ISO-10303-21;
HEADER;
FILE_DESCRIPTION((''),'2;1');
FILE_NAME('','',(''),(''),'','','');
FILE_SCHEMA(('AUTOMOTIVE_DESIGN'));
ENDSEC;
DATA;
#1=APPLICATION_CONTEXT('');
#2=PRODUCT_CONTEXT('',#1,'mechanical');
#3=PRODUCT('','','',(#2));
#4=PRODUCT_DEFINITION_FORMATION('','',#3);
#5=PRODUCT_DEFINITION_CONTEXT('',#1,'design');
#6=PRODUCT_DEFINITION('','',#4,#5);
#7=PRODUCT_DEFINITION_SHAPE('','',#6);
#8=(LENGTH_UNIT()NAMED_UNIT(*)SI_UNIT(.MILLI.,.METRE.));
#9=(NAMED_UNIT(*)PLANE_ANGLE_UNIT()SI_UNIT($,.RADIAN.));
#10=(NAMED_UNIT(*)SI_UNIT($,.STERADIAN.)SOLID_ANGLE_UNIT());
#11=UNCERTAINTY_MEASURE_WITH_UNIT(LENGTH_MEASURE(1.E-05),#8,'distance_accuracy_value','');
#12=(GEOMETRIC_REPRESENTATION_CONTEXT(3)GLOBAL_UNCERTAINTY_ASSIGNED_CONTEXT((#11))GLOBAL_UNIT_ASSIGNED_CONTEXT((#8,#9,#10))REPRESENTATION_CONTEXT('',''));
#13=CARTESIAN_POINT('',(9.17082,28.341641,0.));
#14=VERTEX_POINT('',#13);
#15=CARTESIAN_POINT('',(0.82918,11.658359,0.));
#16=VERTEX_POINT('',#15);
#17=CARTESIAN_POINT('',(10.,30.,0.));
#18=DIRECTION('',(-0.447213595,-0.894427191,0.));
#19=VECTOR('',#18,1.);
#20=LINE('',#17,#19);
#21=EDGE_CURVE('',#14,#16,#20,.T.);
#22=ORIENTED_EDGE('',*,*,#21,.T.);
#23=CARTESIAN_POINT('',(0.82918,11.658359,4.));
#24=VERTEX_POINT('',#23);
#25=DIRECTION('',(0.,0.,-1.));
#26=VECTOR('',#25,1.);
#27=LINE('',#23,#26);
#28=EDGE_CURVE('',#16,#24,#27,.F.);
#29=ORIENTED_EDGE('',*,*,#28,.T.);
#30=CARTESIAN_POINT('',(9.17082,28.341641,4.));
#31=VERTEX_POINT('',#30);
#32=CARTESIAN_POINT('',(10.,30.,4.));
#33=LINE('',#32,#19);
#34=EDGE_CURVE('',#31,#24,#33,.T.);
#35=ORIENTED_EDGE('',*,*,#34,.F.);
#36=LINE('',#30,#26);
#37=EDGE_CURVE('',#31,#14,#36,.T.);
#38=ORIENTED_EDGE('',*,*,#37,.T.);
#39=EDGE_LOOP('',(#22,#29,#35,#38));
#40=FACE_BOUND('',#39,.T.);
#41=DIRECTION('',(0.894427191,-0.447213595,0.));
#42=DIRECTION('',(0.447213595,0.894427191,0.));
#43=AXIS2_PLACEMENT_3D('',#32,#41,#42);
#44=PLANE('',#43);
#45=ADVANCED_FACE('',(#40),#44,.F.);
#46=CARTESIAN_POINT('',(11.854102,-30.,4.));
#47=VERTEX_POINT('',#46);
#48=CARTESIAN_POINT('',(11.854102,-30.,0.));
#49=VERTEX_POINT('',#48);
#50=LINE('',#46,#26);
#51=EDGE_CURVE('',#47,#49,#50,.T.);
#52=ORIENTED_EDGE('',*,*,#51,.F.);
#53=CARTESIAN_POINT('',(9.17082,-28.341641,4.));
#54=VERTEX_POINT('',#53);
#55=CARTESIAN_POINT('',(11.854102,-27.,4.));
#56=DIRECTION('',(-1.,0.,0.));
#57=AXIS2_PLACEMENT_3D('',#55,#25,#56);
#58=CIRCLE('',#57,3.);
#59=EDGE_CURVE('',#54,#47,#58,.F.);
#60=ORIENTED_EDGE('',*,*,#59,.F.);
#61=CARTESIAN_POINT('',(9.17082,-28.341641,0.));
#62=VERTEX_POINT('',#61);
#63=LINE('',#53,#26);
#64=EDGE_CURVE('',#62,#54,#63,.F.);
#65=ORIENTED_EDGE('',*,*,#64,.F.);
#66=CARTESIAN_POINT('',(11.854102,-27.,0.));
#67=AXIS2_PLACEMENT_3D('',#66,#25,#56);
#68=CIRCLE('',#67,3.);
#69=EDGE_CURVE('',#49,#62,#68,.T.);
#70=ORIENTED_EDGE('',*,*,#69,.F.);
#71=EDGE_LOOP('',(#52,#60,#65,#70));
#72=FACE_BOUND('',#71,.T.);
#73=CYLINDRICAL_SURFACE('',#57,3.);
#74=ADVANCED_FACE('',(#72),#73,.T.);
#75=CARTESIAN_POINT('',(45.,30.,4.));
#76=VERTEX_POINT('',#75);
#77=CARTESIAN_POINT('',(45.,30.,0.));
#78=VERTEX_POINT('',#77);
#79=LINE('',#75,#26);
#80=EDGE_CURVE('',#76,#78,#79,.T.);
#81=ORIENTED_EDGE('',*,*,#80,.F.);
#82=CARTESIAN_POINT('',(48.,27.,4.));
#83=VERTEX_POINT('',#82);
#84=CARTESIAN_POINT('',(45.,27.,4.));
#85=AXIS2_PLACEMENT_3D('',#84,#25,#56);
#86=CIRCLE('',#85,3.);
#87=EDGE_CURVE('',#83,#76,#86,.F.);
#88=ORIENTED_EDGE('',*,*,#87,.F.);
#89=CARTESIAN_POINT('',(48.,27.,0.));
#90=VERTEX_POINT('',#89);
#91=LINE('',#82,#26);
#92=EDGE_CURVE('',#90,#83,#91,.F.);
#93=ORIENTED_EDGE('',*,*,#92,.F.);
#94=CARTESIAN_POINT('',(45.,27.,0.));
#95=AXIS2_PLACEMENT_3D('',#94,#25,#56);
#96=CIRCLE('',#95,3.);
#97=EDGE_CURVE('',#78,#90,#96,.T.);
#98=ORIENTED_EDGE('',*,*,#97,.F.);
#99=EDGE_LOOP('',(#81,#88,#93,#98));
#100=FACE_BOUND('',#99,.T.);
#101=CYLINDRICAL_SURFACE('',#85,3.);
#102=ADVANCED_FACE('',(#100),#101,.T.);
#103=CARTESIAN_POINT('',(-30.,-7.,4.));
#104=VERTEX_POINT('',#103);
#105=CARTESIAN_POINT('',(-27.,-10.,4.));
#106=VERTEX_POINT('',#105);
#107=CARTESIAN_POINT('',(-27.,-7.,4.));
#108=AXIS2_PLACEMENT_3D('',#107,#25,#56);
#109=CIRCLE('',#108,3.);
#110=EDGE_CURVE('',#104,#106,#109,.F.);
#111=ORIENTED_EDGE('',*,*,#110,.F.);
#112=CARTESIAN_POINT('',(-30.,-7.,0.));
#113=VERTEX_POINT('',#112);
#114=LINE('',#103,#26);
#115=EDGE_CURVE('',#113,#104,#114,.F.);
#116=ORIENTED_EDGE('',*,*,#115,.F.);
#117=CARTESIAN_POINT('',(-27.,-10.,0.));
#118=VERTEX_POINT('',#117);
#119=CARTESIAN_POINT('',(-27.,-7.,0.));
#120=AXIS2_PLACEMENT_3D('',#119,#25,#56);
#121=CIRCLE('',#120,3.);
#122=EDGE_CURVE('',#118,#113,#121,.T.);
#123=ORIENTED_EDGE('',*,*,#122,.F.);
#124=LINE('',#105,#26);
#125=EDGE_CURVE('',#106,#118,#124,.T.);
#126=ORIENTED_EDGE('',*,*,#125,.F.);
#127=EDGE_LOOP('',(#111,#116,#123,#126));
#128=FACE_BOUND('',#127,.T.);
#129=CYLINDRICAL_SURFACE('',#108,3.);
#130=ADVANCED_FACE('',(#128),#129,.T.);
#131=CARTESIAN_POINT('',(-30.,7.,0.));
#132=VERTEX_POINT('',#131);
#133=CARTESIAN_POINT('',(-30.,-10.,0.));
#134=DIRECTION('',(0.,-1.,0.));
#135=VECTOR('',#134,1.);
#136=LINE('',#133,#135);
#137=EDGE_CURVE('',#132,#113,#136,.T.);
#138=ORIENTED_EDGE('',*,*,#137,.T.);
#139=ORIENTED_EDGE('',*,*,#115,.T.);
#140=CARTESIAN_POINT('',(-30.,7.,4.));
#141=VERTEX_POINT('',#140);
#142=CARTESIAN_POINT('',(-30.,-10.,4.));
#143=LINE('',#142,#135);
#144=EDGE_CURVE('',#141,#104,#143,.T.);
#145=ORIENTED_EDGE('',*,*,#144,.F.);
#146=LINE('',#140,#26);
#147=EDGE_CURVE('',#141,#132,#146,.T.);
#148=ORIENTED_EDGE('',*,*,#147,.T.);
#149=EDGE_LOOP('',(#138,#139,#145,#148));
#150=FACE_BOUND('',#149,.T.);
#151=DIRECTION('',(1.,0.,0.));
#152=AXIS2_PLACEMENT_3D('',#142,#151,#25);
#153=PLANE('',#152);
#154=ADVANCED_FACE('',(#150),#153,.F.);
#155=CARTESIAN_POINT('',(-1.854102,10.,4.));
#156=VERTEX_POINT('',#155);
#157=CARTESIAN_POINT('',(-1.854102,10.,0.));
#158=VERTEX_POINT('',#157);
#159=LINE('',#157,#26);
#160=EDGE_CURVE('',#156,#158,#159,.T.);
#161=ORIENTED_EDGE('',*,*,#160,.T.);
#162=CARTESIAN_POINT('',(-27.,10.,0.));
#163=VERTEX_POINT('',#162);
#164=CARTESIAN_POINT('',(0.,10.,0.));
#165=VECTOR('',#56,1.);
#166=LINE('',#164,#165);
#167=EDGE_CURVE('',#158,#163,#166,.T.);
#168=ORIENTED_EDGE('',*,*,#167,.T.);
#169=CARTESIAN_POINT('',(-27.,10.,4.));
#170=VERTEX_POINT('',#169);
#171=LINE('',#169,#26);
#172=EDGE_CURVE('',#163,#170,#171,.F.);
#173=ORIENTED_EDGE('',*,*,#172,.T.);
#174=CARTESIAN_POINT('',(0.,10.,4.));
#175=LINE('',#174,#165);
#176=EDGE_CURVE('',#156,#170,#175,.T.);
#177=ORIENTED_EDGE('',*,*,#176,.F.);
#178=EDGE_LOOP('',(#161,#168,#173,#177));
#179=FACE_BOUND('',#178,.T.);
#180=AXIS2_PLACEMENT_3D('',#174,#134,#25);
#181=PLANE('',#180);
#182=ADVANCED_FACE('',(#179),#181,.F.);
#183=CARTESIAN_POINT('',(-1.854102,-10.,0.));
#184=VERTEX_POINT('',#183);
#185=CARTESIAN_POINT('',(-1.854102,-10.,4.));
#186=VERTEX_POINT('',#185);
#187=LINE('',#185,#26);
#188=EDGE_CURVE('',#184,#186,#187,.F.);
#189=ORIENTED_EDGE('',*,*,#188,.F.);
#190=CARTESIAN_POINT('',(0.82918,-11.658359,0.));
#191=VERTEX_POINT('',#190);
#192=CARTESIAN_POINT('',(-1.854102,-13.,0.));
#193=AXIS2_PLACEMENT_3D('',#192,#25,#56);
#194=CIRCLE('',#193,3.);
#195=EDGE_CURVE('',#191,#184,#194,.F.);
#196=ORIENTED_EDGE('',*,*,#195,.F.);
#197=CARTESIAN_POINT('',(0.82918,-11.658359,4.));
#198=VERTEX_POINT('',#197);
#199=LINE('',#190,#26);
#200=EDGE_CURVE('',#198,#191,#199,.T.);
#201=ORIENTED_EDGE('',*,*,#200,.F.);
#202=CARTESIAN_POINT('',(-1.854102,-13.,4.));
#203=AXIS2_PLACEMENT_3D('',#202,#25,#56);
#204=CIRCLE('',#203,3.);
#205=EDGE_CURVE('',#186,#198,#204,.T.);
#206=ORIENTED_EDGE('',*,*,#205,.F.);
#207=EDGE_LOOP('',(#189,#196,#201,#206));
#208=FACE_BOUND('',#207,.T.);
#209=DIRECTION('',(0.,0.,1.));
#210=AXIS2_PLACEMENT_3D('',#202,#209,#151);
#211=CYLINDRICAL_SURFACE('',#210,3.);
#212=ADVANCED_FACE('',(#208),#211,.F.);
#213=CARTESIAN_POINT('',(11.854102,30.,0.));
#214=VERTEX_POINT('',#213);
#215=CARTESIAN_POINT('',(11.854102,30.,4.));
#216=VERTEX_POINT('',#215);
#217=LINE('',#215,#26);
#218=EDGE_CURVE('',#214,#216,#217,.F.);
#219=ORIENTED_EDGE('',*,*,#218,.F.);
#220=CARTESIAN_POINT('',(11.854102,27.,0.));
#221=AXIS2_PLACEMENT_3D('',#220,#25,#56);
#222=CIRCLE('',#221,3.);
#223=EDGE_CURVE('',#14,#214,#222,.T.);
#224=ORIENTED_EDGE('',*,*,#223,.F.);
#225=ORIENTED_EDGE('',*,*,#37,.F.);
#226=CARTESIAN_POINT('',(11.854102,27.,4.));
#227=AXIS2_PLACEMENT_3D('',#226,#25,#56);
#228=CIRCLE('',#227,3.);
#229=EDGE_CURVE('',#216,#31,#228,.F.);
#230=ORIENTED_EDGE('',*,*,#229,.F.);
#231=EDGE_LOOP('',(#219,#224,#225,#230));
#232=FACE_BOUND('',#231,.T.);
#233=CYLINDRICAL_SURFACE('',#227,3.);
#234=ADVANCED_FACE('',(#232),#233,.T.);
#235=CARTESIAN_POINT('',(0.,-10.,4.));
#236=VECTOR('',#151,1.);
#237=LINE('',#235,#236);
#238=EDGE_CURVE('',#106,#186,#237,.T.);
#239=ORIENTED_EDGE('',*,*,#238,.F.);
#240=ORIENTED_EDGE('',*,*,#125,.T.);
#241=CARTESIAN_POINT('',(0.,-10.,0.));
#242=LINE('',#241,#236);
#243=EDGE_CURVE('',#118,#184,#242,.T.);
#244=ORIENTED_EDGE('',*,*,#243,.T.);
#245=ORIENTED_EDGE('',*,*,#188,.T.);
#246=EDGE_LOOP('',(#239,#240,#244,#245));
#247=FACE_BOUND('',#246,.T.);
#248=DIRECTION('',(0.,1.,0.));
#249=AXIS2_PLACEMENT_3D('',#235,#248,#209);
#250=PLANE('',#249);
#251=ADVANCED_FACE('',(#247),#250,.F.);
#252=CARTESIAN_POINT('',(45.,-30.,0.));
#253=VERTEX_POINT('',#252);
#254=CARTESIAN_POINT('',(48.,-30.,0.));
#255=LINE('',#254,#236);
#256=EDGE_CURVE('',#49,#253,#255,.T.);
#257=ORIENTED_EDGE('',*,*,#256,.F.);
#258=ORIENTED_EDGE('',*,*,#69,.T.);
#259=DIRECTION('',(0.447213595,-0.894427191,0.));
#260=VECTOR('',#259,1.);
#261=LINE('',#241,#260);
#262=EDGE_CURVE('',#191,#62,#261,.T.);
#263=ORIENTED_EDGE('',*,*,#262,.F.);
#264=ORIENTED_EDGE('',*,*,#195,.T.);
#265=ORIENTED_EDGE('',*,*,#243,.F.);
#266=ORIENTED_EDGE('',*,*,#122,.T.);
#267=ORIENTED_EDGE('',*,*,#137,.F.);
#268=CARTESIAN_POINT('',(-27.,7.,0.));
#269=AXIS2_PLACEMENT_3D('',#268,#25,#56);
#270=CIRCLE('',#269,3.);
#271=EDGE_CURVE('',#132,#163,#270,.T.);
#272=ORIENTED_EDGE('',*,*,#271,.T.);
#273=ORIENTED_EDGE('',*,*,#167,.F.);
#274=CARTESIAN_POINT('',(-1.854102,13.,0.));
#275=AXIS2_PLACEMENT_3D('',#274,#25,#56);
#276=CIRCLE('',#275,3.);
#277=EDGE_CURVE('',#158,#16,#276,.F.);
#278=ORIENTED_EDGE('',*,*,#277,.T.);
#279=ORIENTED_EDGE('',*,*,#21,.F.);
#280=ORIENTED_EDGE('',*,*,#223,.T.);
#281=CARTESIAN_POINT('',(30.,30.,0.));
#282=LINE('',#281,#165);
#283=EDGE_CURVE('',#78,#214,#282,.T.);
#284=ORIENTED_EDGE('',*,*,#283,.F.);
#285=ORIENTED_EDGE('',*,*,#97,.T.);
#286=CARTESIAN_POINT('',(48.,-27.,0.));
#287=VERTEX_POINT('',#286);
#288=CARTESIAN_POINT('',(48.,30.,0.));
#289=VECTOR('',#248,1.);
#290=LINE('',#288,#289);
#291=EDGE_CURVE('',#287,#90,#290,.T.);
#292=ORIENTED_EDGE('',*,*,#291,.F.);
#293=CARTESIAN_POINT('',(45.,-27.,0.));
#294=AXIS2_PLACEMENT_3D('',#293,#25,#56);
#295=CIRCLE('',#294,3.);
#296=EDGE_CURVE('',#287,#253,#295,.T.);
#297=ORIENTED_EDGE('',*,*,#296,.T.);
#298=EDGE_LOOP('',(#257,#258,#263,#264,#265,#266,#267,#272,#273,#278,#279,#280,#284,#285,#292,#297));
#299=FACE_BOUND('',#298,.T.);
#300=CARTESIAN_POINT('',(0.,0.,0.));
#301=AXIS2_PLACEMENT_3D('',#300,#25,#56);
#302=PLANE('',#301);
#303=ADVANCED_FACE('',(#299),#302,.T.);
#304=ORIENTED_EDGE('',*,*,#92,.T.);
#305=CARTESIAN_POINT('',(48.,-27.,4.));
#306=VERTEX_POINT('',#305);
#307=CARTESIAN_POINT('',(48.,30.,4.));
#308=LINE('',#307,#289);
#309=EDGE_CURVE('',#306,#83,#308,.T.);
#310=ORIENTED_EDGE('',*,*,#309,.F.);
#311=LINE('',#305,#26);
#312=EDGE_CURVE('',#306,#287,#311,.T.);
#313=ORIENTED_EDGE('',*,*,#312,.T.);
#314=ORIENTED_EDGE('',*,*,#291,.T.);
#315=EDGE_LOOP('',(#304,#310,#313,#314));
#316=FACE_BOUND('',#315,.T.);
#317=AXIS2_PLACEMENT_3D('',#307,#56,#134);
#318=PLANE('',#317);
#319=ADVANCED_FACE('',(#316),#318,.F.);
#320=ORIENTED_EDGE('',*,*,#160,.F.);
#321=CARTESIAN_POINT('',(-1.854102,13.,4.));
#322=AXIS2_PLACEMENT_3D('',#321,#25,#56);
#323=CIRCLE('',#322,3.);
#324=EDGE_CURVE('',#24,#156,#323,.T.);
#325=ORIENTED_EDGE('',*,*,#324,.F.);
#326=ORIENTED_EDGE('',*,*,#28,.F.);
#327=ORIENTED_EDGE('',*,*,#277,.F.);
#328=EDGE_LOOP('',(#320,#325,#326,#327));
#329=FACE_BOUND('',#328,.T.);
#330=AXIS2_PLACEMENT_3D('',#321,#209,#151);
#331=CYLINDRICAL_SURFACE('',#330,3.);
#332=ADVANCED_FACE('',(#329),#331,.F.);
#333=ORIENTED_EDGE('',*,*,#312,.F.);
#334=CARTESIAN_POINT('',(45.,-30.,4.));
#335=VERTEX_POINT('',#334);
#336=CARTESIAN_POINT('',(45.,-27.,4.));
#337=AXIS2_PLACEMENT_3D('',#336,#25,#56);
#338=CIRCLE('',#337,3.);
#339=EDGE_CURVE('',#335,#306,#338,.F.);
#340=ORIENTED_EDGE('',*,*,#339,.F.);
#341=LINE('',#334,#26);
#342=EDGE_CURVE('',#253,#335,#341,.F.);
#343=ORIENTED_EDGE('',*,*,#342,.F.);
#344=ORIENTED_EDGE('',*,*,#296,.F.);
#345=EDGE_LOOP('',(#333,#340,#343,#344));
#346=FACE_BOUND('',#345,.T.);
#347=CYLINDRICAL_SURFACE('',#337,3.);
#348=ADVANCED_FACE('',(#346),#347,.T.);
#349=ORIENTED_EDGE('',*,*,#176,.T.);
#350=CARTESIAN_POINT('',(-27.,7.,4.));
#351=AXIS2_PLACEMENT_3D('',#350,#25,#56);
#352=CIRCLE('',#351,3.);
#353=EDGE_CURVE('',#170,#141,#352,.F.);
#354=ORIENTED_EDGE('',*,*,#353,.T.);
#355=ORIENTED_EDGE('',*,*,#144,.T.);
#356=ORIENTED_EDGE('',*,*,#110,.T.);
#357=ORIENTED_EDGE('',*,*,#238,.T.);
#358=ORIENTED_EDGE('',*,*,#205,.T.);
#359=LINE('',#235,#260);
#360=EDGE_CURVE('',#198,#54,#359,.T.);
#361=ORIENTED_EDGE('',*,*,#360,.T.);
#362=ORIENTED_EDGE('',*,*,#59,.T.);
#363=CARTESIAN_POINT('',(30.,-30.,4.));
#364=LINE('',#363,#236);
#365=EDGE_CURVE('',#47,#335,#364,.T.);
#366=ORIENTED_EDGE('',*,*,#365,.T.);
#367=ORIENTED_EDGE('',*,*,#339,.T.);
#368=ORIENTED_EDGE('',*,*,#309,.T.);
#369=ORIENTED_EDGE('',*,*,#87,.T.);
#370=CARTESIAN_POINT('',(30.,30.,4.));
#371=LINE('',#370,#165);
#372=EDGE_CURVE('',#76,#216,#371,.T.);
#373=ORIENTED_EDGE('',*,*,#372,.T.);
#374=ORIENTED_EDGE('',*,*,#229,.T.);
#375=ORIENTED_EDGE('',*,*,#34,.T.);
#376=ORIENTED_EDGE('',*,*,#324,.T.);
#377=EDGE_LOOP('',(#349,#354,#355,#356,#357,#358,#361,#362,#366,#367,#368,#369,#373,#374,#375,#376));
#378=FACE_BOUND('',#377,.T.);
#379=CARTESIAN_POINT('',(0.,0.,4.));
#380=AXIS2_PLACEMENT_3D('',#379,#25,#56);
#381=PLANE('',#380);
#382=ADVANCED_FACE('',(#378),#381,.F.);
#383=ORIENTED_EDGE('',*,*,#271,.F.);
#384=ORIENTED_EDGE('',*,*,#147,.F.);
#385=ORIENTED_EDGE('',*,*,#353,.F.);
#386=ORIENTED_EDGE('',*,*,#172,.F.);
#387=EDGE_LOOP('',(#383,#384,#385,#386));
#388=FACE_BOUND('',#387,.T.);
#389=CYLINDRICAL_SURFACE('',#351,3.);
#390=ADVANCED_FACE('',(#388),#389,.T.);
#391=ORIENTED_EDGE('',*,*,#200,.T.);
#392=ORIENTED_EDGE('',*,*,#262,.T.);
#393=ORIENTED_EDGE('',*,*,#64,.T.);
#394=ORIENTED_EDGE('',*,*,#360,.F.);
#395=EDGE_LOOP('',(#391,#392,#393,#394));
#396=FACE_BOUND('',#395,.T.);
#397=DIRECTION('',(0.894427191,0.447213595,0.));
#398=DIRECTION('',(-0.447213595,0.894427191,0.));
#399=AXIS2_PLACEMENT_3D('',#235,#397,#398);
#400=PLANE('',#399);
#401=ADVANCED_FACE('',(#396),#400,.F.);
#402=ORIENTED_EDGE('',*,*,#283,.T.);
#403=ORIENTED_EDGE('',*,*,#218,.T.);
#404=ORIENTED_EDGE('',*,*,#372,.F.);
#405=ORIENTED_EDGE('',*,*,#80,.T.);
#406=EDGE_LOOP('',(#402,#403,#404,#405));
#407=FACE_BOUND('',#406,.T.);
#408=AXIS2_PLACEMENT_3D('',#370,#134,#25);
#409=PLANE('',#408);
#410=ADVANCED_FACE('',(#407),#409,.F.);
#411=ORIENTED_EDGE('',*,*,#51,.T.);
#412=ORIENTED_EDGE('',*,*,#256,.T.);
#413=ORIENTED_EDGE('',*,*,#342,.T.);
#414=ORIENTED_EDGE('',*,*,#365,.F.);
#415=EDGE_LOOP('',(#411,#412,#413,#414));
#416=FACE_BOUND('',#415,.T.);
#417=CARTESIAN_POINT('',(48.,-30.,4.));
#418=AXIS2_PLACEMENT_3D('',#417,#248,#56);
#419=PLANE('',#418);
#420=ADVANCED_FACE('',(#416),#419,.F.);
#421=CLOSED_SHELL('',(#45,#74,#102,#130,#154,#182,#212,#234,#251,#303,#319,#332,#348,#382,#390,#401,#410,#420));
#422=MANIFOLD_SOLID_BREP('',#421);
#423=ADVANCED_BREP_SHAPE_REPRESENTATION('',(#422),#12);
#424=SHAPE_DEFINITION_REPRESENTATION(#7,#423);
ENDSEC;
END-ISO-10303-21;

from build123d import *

# Parameters (mm, degrees)
BOSS_EXTRUDE2_DEPTH = 4
FILLET7_R           = 3


with BuildPart() as part:
    # Sketch1 → Boss-Extrude2 (new body)
    with BuildSketch(Plane.XY):
        Polygon((-30, -10), (-30, 10), (0, 10), (10, 30), (30, 30), (48, 30), (48, -30), (30, -30), (10, -30), (0, -10), align=None)
    extrude(amount=BOSS_EXTRUDE2_DEPTH)

    # Fillet7
    fillet7_edges = [part.edges().sort_by_distance(p)[0] for p in [
        (-30, -10, 2),
        (-30, 10, 2),
        (0, 10, 2),
        (10, 30, 2),
        (48, 30, 2),
        (48, -30, 2),
        (10, -30, 2),
        (0, -10, 2),
    ]]
    fillet(fillet7_edges, radius=FILLET7_R)


solid = part.part
